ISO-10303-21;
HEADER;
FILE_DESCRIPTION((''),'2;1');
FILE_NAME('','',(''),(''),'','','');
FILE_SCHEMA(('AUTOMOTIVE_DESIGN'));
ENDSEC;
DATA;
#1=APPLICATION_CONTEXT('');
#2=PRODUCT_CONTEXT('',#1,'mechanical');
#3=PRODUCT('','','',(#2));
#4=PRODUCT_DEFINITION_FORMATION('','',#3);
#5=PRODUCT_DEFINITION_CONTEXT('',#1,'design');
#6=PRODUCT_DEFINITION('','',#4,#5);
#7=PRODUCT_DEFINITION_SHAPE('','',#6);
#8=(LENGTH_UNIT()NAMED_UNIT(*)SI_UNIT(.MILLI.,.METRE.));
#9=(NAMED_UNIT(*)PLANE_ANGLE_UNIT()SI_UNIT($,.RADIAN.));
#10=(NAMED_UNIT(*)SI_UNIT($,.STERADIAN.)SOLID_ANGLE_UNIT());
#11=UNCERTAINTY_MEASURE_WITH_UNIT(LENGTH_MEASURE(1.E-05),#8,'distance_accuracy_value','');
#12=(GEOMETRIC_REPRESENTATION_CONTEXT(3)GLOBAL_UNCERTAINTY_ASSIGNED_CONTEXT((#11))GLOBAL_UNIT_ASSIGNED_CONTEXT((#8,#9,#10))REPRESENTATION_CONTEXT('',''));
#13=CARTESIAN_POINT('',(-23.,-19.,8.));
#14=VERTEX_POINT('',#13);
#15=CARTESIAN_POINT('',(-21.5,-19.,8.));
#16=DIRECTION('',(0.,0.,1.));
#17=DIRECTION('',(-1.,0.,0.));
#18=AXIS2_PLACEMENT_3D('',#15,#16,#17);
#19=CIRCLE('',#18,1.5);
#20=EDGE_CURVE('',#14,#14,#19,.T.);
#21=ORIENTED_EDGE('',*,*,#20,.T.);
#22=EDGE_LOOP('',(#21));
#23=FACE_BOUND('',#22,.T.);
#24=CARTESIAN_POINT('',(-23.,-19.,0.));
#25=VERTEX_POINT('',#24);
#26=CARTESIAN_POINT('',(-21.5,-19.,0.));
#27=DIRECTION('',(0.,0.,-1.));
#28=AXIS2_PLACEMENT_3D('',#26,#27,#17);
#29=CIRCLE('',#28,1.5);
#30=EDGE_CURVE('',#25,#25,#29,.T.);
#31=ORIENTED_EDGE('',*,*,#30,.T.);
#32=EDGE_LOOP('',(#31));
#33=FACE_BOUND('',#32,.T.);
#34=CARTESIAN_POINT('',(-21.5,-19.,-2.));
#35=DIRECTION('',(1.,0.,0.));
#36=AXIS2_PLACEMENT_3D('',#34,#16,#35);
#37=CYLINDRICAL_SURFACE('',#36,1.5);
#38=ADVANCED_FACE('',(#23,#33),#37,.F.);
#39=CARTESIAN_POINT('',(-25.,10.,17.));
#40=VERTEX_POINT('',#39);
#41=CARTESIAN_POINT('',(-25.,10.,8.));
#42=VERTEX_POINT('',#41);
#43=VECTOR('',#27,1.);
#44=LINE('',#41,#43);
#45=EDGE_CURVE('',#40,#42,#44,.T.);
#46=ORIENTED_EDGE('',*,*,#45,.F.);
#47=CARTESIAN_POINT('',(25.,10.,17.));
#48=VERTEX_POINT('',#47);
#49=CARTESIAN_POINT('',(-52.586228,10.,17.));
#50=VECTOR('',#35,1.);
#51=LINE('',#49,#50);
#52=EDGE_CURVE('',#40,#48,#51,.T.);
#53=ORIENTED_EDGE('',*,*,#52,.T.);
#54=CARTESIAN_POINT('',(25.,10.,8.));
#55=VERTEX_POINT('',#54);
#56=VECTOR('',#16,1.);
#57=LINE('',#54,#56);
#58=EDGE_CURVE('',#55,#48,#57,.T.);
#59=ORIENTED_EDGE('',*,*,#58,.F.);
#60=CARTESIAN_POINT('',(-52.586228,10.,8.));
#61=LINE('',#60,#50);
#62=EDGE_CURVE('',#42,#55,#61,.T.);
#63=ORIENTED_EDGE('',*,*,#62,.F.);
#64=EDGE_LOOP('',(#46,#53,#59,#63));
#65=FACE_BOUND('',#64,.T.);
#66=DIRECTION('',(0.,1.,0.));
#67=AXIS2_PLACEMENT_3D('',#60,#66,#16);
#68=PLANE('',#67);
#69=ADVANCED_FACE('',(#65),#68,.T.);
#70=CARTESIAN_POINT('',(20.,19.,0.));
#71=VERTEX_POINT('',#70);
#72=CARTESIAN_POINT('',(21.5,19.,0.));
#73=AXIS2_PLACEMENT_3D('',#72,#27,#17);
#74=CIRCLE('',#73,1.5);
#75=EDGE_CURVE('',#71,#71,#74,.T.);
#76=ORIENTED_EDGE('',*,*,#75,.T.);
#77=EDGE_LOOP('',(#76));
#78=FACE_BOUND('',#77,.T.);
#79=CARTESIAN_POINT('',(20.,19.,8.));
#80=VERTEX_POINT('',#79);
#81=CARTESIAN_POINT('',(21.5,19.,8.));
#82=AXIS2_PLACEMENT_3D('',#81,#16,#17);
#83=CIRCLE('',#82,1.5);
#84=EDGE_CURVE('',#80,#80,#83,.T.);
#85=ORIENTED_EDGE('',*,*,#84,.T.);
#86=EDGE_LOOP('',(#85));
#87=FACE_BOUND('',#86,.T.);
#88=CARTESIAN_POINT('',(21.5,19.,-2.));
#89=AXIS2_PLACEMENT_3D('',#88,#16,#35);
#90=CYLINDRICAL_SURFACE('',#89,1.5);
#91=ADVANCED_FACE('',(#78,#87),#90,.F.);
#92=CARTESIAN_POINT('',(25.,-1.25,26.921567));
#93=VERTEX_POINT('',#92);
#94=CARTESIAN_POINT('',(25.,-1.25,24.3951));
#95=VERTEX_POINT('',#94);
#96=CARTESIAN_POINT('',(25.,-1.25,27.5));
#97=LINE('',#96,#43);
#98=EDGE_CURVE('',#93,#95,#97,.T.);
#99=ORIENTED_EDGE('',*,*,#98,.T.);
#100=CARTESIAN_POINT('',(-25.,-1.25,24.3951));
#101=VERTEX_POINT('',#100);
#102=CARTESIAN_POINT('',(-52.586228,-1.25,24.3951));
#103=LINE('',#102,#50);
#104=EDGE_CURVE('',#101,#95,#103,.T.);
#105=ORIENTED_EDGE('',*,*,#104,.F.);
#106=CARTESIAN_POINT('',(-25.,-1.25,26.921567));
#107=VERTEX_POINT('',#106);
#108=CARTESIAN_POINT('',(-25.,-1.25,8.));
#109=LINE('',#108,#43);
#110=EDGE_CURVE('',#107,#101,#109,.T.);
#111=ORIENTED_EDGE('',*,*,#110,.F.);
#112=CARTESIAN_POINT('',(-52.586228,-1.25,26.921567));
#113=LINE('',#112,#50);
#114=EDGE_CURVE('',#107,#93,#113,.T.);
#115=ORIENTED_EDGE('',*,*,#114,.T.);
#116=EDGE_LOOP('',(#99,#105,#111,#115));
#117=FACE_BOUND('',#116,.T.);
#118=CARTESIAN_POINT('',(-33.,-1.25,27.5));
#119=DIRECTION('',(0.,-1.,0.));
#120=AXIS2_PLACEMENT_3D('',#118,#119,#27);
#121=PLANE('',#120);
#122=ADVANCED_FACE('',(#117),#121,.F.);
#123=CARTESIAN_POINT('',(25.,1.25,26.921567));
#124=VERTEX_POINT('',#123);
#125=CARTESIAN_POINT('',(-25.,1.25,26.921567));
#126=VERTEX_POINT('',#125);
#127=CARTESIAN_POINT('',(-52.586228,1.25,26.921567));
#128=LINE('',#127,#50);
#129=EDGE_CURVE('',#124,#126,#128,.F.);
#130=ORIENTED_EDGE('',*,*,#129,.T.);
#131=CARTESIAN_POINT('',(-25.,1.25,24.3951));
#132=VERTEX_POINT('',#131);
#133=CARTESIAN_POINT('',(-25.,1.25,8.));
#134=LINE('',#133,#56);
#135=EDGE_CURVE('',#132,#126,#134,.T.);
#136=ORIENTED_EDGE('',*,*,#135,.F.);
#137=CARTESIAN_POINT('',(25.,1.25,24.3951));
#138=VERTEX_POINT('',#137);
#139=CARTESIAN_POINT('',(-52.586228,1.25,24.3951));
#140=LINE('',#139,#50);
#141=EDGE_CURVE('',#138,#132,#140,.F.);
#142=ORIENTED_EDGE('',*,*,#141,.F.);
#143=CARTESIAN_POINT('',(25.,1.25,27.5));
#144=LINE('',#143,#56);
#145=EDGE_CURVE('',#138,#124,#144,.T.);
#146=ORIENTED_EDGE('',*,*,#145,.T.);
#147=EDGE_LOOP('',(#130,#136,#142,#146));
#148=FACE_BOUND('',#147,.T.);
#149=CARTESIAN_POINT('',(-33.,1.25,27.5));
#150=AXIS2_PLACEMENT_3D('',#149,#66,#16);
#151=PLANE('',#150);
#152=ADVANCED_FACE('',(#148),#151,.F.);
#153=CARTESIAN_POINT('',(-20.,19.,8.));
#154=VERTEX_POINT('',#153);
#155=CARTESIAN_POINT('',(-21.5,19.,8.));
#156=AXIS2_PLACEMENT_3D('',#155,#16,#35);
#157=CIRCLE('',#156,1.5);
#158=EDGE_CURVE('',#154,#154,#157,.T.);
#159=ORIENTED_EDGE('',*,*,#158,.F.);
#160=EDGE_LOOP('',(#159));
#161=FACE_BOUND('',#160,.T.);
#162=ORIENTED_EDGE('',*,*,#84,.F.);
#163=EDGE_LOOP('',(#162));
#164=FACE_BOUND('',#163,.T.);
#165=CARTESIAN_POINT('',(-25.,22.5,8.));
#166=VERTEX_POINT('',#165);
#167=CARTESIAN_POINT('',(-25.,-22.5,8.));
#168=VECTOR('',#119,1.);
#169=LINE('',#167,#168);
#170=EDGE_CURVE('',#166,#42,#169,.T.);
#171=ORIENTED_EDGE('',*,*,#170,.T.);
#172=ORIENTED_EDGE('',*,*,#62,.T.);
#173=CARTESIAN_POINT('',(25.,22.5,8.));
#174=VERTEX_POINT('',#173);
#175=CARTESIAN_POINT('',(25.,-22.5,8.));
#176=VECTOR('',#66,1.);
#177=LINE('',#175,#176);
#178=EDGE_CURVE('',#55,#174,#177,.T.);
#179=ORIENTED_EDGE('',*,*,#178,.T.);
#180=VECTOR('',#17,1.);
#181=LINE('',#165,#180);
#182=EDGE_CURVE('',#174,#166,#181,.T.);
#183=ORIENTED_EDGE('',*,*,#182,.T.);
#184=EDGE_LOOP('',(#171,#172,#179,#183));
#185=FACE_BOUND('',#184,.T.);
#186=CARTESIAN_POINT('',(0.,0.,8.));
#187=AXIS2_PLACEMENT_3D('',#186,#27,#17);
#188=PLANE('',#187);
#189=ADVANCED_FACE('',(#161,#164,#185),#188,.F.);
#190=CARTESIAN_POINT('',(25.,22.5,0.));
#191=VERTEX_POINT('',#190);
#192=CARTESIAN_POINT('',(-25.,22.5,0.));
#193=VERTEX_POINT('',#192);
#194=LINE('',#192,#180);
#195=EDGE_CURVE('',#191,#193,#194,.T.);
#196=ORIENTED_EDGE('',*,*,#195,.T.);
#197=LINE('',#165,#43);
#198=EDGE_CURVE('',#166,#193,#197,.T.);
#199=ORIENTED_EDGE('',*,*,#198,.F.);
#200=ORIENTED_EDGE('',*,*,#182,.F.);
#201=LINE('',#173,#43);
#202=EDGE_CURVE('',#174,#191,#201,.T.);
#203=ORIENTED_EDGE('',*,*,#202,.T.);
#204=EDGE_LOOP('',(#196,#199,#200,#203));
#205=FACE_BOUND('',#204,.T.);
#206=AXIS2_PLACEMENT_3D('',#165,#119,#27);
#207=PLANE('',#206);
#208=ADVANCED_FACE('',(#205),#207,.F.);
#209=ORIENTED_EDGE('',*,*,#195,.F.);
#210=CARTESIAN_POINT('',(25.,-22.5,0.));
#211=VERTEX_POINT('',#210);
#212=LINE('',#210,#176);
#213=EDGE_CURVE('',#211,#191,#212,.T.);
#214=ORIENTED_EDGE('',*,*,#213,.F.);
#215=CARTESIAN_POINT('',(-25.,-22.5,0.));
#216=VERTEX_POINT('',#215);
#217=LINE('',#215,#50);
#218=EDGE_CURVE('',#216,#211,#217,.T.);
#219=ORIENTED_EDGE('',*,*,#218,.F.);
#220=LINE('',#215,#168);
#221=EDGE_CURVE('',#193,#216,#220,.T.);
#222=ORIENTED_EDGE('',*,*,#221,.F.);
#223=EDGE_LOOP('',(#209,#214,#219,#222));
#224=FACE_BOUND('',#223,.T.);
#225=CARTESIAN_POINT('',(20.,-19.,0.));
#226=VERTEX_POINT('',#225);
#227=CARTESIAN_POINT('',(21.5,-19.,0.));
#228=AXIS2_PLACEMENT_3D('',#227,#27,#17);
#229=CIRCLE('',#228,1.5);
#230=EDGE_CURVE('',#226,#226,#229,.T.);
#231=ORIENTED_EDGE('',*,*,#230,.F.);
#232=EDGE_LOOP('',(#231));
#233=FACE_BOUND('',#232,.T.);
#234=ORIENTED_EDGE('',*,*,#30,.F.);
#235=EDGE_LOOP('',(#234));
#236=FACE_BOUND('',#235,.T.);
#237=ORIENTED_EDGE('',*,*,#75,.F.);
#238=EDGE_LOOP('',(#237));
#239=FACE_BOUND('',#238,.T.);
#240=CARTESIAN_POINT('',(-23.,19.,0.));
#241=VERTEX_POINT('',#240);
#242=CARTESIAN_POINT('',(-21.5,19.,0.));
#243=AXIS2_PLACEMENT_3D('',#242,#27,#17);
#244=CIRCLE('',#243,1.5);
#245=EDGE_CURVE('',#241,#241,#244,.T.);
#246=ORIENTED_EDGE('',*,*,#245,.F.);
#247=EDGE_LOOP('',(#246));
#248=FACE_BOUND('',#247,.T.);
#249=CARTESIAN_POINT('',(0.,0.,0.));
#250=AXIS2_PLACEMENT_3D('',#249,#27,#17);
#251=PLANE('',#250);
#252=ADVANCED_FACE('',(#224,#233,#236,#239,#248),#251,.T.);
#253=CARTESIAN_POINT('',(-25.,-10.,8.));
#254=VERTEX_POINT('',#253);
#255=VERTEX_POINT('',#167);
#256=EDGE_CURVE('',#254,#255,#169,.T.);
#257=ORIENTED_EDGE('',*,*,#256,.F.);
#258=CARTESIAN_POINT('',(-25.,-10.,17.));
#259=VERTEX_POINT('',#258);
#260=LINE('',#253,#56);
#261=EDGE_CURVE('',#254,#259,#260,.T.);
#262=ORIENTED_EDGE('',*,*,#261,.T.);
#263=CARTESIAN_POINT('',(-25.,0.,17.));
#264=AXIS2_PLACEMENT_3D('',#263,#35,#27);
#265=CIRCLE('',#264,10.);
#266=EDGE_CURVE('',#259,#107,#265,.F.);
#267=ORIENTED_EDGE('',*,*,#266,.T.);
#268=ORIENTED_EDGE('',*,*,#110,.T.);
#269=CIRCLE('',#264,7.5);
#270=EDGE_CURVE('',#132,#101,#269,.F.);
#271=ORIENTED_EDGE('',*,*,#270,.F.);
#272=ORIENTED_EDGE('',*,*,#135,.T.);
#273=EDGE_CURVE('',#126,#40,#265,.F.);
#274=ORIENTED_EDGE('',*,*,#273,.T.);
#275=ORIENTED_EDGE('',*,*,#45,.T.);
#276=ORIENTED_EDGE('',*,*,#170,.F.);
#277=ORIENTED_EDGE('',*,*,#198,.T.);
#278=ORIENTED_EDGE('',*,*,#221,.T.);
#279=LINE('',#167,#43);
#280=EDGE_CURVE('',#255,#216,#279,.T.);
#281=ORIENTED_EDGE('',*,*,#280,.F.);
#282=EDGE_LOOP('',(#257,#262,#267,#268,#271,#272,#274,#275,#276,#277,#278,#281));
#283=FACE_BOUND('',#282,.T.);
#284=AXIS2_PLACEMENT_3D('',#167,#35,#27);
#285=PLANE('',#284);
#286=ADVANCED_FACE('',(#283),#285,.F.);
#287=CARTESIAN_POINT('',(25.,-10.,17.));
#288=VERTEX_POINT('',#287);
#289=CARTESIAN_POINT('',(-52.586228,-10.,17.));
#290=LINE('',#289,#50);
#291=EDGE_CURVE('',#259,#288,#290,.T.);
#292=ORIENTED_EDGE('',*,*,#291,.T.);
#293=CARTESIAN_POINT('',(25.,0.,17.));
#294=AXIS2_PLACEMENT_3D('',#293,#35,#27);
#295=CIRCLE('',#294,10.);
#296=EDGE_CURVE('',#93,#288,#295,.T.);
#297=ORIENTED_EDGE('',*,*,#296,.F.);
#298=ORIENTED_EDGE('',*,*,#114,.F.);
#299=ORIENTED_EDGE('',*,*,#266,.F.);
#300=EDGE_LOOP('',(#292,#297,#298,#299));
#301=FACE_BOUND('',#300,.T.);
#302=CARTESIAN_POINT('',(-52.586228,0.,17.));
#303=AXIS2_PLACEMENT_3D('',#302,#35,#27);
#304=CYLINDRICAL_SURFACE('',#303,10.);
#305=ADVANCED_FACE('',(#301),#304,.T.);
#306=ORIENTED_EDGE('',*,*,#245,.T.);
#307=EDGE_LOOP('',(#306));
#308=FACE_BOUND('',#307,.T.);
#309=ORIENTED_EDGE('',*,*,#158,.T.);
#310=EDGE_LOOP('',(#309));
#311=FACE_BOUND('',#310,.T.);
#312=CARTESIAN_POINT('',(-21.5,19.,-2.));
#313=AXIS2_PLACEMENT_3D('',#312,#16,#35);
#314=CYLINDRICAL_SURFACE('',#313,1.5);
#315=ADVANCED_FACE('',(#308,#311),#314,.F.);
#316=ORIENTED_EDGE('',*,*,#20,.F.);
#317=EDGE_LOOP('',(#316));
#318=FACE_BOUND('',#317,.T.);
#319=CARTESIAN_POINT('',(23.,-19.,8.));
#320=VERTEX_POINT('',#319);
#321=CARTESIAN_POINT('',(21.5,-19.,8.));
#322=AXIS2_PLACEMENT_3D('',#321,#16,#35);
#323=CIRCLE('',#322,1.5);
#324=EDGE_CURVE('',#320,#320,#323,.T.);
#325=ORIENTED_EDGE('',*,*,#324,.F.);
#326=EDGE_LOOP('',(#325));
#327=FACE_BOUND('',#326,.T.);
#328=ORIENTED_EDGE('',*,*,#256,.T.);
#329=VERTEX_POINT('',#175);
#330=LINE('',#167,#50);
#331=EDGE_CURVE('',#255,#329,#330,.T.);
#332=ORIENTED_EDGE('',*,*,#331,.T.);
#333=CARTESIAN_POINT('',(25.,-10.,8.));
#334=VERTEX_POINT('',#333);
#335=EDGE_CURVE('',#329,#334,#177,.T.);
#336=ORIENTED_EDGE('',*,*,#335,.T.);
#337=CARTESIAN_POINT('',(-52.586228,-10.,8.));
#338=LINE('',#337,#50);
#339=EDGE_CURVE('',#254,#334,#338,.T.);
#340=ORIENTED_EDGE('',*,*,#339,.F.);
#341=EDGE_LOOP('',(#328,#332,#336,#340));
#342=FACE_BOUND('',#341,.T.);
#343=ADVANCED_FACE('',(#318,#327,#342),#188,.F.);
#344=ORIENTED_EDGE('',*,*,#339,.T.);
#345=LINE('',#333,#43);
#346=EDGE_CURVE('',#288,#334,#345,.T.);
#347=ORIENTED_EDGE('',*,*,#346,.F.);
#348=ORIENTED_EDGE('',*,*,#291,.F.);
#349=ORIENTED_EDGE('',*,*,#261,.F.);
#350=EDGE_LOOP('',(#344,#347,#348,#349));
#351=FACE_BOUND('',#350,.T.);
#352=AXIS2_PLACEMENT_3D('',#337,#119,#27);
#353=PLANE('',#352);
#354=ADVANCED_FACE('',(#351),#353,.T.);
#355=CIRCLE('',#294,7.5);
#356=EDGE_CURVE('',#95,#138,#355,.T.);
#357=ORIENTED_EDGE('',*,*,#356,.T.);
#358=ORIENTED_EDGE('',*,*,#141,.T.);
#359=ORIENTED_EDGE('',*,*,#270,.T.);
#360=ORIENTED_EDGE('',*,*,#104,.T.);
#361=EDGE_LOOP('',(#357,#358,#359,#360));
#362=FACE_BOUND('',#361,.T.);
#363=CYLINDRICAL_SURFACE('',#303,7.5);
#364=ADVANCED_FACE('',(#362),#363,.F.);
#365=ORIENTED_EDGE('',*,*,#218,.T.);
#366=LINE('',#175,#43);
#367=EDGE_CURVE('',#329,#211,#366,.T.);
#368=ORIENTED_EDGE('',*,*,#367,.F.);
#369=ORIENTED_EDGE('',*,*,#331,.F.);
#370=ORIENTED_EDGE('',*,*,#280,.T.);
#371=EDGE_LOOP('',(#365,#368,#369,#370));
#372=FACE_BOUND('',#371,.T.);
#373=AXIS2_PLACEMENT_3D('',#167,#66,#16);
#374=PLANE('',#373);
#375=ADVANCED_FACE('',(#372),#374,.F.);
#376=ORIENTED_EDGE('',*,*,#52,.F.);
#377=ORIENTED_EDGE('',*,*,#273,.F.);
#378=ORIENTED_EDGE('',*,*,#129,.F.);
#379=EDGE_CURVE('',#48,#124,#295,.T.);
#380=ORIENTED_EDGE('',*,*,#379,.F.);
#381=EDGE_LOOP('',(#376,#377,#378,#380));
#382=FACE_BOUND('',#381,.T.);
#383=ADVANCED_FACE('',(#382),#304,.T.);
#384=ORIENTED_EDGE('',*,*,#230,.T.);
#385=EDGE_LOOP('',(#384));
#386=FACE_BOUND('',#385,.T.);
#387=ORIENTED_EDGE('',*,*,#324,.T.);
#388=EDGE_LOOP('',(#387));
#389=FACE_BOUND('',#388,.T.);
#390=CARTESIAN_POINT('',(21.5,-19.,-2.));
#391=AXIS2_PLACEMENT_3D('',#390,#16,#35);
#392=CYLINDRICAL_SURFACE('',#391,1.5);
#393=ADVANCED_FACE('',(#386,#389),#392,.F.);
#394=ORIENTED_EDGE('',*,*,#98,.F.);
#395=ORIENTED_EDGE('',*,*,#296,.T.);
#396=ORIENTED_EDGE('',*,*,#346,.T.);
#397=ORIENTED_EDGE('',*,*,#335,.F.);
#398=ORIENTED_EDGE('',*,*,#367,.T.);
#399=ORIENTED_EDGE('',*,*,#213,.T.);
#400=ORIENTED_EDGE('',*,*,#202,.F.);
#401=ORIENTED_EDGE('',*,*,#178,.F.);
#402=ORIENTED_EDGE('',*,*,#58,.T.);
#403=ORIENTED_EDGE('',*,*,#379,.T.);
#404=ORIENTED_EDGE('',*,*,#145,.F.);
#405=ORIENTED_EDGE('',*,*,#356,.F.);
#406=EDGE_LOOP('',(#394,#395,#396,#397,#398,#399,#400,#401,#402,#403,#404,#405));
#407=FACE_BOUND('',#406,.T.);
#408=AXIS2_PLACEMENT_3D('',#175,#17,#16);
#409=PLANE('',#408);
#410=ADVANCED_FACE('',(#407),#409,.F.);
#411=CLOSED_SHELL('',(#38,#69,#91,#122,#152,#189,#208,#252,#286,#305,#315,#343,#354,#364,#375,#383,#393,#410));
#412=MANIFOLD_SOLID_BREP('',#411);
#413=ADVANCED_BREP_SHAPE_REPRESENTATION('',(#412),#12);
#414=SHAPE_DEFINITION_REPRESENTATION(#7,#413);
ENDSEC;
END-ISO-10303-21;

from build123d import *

# Parameters (mm, degrees)
SKETCH_1_W          = 50
SKETCH_1_H          = 45
EXTRUDE_1_DEPTH     = 8
SKETCH_2_R          = 7.5
EXTRUDE_2_DEPTH     = 50
SKETCH_3_W          = 6
SKETCH_3_H          = 2.5
CUT_EXTRUDE_1_DEPTH = 58
SKETCH_5_R          = 1.5
CUT_EXTRUDE_2_DEPTH = 10


with BuildPart() as part:
    # 草图1 → 凸台-拉伸1 (new body)
    with BuildSketch(Plane.XY):
        Rectangle(SKETCH_1_W, SKETCH_1_H)
    extrude(amount=EXTRUDE_1_DEPTH)

    # 草图2 → 凸台-拉伸2 (add)
    with BuildSketch(Plane(origin=(25, 0, 0), x_dir=(0, 0, -1), z_dir=(1, 0, 0))):
        with BuildLine():
            Line((-8, 10), (-17, 10))
            ThreePointArc((-17, 10), (-27, 0), (-17, -10))
            Line((-17, -10), (-8, -10))
            Line((-8, -10), (-8, 10))
        make_face()
        with Locations((-17, 0)):
            Circle(SKETCH_2_R, mode=Mode.SUBTRACT)
    extrude(amount=-EXTRUDE_2_DEPTH)

    # 草图3 → 切除-拉伸1 (cut)
    with BuildSketch(Plane(origin=(25, 0, 0), x_dir=(0, 0, -1), z_dir=(1, 0, 0))):
        with Locations((-24.5, 0)):
            Rectangle(SKETCH_3_W, SKETCH_3_H)
    extrude(amount=-CUT_EXTRUDE_1_DEPTH, mode=Mode.SUBTRACT)

    # 草图5 → 切除-拉伸2 (cut)
    with BuildSketch(Plane.XY.offset(8)):
        with Locations((-21.5, 19)):
            Circle(SKETCH_5_R)
        with Locations(Location((21.5, 19, 0), (0, 0, 180))):
            Circle(SKETCH_5_R)
        with Locations((21.5, -19)):
            Circle(SKETCH_5_R)
        with Locations(Location((-21.5, -19, 0), (0, 0, 180))):
            Circle(SKETCH_5_R)
    extrude(amount=-CUT_EXTRUDE_2_DEPTH, mode=Mode.SUBTRACT)


solid = part.part
